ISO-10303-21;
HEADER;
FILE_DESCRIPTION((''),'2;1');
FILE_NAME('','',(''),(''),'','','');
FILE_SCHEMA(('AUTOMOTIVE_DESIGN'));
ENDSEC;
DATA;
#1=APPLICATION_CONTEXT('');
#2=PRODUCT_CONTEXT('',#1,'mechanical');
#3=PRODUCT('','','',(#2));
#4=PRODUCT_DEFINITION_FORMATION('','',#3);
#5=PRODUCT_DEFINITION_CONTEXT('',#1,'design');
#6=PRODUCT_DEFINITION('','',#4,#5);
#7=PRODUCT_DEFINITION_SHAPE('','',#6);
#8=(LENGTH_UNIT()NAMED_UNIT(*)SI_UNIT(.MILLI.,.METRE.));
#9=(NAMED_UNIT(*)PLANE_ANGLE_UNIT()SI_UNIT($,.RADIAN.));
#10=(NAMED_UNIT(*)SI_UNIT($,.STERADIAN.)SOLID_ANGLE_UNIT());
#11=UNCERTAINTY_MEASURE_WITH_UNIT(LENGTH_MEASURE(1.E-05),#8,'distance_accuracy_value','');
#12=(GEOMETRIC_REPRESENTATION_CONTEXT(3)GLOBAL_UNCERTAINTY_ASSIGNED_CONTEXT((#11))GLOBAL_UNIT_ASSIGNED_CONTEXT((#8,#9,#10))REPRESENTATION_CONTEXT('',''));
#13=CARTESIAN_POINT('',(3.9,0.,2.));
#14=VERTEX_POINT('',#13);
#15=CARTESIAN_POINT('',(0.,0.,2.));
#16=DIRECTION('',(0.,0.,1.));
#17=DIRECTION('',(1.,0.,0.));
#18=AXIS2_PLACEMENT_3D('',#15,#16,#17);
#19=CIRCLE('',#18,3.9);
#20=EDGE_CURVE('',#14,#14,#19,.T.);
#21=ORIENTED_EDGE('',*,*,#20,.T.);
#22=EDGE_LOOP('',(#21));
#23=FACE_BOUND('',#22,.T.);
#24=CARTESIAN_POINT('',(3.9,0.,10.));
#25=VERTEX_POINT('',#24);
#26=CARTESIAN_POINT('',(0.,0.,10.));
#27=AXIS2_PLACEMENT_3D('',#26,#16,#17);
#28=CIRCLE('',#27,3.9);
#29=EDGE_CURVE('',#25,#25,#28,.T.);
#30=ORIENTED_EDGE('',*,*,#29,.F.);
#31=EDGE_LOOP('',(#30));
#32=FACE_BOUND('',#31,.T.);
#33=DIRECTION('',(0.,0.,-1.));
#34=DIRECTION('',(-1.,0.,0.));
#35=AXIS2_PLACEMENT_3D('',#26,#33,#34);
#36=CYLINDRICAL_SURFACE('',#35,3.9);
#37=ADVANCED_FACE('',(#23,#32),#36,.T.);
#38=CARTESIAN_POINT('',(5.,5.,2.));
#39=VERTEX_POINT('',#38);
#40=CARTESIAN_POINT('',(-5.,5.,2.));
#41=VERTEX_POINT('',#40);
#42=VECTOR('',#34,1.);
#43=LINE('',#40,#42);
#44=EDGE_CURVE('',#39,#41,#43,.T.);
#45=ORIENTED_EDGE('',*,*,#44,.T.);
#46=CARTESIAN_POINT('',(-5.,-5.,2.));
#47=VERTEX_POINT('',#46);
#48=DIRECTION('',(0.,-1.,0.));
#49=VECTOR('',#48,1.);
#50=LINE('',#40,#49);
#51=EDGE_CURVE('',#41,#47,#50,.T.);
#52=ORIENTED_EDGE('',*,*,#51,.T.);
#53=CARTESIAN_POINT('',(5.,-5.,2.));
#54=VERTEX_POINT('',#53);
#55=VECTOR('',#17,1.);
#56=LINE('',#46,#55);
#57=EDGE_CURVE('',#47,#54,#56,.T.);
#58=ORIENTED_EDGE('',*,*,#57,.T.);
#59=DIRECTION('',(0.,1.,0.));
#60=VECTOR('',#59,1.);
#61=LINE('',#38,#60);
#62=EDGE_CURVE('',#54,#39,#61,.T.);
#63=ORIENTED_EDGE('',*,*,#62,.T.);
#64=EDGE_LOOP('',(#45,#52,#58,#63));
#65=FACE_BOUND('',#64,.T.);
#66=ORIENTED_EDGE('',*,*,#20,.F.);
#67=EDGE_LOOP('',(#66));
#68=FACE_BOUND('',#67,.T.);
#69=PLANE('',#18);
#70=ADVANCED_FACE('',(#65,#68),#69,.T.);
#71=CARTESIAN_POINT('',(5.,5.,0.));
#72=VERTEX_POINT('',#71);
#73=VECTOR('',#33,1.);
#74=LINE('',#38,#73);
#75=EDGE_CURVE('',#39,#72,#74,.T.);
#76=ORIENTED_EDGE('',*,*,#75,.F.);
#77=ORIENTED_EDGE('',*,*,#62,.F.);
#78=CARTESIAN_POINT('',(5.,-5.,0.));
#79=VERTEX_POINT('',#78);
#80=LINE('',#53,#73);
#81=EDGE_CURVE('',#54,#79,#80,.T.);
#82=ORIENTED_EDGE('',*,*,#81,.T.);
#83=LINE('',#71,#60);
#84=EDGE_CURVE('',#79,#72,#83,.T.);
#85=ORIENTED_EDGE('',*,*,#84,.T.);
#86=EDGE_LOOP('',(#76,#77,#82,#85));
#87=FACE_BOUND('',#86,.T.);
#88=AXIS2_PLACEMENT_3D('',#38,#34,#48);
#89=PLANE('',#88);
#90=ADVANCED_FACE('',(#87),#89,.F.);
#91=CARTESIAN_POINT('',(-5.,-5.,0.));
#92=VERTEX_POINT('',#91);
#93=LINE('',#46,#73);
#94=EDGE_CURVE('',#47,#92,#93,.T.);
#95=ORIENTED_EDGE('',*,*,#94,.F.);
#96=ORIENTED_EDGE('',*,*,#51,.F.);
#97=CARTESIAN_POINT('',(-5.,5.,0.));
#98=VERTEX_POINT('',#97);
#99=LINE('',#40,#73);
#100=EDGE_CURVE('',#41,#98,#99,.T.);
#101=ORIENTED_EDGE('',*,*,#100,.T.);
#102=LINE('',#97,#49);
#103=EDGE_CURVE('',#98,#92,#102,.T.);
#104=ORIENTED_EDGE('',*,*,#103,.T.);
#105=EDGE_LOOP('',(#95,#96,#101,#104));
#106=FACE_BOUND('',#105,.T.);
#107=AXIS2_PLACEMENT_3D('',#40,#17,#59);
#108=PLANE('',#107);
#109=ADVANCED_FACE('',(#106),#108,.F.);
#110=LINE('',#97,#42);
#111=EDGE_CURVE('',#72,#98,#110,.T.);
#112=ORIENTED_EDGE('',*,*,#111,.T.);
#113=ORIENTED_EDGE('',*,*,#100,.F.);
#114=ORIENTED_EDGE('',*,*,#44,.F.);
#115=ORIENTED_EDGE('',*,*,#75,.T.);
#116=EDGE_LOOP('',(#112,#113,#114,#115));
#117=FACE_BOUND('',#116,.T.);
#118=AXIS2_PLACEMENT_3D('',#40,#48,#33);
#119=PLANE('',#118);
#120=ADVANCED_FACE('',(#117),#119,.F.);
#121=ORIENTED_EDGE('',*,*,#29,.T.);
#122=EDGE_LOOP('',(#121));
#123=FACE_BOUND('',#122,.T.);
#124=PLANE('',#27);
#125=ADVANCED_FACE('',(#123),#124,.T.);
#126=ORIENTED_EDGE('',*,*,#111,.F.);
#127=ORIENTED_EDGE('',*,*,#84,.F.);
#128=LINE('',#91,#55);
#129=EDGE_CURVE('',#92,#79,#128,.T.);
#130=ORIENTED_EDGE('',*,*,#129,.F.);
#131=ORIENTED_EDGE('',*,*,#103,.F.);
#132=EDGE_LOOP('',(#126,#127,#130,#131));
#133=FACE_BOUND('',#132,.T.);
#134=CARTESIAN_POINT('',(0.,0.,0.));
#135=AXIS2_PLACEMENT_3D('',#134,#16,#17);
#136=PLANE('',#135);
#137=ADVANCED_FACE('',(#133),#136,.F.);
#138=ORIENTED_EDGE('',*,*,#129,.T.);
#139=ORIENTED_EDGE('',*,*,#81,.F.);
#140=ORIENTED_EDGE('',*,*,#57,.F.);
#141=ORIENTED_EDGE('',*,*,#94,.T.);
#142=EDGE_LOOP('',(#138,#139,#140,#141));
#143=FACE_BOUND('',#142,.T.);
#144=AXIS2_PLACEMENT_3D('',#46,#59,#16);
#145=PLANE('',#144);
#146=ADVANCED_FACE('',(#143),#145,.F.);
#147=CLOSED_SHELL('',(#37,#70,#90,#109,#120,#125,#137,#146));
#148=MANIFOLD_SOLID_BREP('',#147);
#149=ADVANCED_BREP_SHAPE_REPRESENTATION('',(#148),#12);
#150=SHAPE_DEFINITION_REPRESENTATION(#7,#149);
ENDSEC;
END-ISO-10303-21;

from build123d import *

# Parameters (mm, degrees)
CROQUIS1_W              = 10
CROQUIS1_H              = 10
SALIENTE_EXTRUIR1_DEPTH = 2
CROQUIS2_R              = 3.9
SALIENTE_EXTRUIR2_DEPTH = 8


with BuildPart() as part:
    # Croquis1 → Saliente-Extruir1 (new body)
    with BuildSketch(Plane.XY):
        Rectangle(CROQUIS1_W, CROQUIS1_H)
    extrude(amount=SALIENTE_EXTRUIR1_DEPTH)

    # Croquis2 → Saliente-Extruir2 (add)
    with BuildSketch(Plane.XY.offset(2)):
        Circle(CROQUIS2_R)
    extrude(amount=SALIENTE_EXTRUIR2_DEPTH)


solid = part.part
